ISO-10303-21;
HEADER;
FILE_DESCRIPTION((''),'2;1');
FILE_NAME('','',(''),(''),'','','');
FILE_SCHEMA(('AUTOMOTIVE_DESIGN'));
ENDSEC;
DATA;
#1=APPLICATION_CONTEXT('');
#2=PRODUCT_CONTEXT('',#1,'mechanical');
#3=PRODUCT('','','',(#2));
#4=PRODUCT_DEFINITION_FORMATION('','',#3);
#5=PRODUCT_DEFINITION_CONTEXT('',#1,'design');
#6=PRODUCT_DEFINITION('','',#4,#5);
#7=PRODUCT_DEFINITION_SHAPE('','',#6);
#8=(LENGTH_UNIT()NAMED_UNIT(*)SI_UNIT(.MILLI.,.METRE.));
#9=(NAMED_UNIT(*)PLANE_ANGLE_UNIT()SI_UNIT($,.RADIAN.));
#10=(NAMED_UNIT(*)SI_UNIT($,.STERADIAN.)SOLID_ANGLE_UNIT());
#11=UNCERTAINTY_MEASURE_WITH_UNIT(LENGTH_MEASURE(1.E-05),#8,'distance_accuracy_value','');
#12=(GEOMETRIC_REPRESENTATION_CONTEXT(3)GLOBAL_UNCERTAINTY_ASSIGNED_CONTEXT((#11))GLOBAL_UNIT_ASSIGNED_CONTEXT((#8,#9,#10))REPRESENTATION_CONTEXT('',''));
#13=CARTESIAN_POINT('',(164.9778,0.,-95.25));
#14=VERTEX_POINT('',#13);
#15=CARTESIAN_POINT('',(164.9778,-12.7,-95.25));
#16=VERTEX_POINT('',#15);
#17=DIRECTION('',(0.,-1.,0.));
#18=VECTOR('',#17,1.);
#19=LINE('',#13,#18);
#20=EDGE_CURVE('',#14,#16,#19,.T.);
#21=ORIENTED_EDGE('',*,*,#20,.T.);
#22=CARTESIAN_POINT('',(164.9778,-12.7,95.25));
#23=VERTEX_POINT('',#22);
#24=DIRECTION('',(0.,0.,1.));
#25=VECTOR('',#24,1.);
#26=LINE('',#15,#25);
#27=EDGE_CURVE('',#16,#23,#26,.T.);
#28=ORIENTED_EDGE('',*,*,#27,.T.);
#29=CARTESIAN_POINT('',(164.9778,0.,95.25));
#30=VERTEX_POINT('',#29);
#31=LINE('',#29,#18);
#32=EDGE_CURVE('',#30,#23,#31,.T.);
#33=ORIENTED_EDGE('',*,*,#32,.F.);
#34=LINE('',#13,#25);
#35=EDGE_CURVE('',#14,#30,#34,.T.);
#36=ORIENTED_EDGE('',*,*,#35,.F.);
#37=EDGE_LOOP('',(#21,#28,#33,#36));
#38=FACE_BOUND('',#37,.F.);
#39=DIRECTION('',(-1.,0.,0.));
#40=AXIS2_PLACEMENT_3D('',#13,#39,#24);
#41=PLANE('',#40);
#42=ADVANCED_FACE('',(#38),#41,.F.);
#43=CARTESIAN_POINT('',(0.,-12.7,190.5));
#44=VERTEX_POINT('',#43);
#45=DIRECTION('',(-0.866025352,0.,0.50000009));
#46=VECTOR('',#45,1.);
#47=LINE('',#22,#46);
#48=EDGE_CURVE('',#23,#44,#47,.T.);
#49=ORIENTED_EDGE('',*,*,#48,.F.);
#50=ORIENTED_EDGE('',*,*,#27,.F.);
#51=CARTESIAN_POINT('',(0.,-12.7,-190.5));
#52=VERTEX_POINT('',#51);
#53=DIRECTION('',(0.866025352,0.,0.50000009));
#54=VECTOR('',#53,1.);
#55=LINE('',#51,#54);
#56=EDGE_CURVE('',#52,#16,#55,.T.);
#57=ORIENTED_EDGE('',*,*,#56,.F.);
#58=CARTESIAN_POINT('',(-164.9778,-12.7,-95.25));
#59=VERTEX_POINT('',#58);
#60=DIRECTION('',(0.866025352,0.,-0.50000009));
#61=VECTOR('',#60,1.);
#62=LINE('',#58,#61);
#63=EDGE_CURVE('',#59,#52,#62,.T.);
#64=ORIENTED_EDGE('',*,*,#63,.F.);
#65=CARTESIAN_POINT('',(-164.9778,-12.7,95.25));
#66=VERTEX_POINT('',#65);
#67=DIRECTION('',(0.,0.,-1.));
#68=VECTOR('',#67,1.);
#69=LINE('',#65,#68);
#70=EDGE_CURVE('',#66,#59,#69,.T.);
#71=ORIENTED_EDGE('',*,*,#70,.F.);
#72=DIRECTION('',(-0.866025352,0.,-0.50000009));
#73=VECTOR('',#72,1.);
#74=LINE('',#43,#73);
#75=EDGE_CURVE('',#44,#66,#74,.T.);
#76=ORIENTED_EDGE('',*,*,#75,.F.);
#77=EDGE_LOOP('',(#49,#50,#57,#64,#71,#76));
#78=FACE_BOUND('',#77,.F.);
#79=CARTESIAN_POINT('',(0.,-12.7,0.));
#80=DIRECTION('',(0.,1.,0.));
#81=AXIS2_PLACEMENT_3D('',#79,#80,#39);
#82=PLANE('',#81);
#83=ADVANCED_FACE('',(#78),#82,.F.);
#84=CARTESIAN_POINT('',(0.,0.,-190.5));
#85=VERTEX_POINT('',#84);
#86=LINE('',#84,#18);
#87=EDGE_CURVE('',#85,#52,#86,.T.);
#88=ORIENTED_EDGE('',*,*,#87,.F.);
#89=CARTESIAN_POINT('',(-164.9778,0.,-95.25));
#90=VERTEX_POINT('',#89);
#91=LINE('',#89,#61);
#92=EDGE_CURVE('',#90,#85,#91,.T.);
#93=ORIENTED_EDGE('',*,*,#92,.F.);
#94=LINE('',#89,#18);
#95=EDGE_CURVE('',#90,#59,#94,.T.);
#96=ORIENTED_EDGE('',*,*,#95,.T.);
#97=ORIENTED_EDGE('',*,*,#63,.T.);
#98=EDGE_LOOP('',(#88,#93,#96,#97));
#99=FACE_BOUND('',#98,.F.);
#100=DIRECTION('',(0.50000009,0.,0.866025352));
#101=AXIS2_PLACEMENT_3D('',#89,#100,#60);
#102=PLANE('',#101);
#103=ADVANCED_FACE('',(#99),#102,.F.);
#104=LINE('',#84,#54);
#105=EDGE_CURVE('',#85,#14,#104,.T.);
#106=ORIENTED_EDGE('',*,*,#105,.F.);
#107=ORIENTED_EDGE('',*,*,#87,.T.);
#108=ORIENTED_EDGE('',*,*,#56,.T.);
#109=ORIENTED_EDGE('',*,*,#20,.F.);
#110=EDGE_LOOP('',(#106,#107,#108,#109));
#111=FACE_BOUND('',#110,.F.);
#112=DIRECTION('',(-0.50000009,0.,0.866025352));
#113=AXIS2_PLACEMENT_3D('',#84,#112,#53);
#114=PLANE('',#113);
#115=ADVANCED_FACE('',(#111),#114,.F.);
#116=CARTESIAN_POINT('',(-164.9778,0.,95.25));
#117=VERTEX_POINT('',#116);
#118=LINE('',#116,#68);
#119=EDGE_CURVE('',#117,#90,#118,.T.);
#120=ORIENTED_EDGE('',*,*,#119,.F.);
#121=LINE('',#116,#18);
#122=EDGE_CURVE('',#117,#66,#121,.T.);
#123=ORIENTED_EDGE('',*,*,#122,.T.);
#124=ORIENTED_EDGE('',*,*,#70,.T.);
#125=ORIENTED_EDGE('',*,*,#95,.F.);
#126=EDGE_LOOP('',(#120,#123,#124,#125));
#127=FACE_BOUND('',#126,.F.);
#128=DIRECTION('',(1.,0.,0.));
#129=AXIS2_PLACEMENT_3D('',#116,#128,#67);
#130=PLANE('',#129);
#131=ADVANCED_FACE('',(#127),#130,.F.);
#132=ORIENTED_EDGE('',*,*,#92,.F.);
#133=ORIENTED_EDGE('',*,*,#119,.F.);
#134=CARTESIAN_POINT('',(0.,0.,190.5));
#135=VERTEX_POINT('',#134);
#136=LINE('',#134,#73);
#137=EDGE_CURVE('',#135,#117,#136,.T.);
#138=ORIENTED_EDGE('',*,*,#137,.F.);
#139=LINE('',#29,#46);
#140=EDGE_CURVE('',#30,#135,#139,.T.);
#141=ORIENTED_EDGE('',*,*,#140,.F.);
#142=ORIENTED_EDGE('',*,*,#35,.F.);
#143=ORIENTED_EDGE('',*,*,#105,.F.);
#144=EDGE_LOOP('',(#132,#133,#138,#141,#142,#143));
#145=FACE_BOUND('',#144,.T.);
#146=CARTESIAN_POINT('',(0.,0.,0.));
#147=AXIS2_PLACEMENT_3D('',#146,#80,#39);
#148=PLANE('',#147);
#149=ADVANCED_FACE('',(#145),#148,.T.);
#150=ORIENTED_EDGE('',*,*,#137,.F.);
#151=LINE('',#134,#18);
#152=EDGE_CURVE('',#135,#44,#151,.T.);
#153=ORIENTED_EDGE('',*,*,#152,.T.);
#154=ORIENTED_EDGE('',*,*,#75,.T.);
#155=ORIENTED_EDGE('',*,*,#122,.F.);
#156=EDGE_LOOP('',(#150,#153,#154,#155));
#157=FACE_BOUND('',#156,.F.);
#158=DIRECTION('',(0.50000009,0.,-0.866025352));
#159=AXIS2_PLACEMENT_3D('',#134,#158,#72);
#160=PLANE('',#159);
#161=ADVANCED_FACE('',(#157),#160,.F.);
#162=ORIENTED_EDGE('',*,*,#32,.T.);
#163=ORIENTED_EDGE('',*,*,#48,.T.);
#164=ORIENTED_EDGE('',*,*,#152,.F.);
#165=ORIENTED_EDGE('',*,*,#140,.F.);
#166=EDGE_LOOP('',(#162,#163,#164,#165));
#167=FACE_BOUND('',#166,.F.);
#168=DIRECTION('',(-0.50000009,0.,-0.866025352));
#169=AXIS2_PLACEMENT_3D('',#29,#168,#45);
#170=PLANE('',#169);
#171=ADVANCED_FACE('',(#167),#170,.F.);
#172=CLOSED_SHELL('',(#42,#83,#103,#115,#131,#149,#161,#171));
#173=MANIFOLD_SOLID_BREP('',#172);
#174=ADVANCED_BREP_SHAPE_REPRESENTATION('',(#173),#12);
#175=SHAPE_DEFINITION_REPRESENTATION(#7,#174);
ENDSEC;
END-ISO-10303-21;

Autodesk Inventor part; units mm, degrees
ref_plane "YZ Plane" through (0, 0, 0) normal (1, 0, 0) x (0, 1, 0)
ref_plane "XZ Plane" through (0, 0, 0) normal (0, 1, 0) x (-1, 0, 0)
ref_plane "XY Plane" through (0, 0, 0) normal (0, 0, 1) x (1, 0, 0)
sketch "Sketch1" plane through (0, 0, 0) normal (0, 1, 0) x (-1, 0, 0)
  line L0 (0, -190.5) -> (-164.9778, -95.25)
  line L1 (-164.9778, -95.25) -> (-164.9778, 95.25)
  line L2 (-164.9778, 95.25) -> (0, 190.5)
  line L3 (0, 190.5) -> (164.9778, 95.25)
  line L4 (164.9778, 95.25) -> (164.9778, -95.25)
  line L5 (164.9778, -95.25) -> (0, -190.5)
  point P0 (0, 0)
  point P1 (0, 0)
  dimension "d0" = 190.5
extrude "Extrusion1" add sketch "Sketch1" against normal blind 12.7
properties part number "HEX_BASE"
